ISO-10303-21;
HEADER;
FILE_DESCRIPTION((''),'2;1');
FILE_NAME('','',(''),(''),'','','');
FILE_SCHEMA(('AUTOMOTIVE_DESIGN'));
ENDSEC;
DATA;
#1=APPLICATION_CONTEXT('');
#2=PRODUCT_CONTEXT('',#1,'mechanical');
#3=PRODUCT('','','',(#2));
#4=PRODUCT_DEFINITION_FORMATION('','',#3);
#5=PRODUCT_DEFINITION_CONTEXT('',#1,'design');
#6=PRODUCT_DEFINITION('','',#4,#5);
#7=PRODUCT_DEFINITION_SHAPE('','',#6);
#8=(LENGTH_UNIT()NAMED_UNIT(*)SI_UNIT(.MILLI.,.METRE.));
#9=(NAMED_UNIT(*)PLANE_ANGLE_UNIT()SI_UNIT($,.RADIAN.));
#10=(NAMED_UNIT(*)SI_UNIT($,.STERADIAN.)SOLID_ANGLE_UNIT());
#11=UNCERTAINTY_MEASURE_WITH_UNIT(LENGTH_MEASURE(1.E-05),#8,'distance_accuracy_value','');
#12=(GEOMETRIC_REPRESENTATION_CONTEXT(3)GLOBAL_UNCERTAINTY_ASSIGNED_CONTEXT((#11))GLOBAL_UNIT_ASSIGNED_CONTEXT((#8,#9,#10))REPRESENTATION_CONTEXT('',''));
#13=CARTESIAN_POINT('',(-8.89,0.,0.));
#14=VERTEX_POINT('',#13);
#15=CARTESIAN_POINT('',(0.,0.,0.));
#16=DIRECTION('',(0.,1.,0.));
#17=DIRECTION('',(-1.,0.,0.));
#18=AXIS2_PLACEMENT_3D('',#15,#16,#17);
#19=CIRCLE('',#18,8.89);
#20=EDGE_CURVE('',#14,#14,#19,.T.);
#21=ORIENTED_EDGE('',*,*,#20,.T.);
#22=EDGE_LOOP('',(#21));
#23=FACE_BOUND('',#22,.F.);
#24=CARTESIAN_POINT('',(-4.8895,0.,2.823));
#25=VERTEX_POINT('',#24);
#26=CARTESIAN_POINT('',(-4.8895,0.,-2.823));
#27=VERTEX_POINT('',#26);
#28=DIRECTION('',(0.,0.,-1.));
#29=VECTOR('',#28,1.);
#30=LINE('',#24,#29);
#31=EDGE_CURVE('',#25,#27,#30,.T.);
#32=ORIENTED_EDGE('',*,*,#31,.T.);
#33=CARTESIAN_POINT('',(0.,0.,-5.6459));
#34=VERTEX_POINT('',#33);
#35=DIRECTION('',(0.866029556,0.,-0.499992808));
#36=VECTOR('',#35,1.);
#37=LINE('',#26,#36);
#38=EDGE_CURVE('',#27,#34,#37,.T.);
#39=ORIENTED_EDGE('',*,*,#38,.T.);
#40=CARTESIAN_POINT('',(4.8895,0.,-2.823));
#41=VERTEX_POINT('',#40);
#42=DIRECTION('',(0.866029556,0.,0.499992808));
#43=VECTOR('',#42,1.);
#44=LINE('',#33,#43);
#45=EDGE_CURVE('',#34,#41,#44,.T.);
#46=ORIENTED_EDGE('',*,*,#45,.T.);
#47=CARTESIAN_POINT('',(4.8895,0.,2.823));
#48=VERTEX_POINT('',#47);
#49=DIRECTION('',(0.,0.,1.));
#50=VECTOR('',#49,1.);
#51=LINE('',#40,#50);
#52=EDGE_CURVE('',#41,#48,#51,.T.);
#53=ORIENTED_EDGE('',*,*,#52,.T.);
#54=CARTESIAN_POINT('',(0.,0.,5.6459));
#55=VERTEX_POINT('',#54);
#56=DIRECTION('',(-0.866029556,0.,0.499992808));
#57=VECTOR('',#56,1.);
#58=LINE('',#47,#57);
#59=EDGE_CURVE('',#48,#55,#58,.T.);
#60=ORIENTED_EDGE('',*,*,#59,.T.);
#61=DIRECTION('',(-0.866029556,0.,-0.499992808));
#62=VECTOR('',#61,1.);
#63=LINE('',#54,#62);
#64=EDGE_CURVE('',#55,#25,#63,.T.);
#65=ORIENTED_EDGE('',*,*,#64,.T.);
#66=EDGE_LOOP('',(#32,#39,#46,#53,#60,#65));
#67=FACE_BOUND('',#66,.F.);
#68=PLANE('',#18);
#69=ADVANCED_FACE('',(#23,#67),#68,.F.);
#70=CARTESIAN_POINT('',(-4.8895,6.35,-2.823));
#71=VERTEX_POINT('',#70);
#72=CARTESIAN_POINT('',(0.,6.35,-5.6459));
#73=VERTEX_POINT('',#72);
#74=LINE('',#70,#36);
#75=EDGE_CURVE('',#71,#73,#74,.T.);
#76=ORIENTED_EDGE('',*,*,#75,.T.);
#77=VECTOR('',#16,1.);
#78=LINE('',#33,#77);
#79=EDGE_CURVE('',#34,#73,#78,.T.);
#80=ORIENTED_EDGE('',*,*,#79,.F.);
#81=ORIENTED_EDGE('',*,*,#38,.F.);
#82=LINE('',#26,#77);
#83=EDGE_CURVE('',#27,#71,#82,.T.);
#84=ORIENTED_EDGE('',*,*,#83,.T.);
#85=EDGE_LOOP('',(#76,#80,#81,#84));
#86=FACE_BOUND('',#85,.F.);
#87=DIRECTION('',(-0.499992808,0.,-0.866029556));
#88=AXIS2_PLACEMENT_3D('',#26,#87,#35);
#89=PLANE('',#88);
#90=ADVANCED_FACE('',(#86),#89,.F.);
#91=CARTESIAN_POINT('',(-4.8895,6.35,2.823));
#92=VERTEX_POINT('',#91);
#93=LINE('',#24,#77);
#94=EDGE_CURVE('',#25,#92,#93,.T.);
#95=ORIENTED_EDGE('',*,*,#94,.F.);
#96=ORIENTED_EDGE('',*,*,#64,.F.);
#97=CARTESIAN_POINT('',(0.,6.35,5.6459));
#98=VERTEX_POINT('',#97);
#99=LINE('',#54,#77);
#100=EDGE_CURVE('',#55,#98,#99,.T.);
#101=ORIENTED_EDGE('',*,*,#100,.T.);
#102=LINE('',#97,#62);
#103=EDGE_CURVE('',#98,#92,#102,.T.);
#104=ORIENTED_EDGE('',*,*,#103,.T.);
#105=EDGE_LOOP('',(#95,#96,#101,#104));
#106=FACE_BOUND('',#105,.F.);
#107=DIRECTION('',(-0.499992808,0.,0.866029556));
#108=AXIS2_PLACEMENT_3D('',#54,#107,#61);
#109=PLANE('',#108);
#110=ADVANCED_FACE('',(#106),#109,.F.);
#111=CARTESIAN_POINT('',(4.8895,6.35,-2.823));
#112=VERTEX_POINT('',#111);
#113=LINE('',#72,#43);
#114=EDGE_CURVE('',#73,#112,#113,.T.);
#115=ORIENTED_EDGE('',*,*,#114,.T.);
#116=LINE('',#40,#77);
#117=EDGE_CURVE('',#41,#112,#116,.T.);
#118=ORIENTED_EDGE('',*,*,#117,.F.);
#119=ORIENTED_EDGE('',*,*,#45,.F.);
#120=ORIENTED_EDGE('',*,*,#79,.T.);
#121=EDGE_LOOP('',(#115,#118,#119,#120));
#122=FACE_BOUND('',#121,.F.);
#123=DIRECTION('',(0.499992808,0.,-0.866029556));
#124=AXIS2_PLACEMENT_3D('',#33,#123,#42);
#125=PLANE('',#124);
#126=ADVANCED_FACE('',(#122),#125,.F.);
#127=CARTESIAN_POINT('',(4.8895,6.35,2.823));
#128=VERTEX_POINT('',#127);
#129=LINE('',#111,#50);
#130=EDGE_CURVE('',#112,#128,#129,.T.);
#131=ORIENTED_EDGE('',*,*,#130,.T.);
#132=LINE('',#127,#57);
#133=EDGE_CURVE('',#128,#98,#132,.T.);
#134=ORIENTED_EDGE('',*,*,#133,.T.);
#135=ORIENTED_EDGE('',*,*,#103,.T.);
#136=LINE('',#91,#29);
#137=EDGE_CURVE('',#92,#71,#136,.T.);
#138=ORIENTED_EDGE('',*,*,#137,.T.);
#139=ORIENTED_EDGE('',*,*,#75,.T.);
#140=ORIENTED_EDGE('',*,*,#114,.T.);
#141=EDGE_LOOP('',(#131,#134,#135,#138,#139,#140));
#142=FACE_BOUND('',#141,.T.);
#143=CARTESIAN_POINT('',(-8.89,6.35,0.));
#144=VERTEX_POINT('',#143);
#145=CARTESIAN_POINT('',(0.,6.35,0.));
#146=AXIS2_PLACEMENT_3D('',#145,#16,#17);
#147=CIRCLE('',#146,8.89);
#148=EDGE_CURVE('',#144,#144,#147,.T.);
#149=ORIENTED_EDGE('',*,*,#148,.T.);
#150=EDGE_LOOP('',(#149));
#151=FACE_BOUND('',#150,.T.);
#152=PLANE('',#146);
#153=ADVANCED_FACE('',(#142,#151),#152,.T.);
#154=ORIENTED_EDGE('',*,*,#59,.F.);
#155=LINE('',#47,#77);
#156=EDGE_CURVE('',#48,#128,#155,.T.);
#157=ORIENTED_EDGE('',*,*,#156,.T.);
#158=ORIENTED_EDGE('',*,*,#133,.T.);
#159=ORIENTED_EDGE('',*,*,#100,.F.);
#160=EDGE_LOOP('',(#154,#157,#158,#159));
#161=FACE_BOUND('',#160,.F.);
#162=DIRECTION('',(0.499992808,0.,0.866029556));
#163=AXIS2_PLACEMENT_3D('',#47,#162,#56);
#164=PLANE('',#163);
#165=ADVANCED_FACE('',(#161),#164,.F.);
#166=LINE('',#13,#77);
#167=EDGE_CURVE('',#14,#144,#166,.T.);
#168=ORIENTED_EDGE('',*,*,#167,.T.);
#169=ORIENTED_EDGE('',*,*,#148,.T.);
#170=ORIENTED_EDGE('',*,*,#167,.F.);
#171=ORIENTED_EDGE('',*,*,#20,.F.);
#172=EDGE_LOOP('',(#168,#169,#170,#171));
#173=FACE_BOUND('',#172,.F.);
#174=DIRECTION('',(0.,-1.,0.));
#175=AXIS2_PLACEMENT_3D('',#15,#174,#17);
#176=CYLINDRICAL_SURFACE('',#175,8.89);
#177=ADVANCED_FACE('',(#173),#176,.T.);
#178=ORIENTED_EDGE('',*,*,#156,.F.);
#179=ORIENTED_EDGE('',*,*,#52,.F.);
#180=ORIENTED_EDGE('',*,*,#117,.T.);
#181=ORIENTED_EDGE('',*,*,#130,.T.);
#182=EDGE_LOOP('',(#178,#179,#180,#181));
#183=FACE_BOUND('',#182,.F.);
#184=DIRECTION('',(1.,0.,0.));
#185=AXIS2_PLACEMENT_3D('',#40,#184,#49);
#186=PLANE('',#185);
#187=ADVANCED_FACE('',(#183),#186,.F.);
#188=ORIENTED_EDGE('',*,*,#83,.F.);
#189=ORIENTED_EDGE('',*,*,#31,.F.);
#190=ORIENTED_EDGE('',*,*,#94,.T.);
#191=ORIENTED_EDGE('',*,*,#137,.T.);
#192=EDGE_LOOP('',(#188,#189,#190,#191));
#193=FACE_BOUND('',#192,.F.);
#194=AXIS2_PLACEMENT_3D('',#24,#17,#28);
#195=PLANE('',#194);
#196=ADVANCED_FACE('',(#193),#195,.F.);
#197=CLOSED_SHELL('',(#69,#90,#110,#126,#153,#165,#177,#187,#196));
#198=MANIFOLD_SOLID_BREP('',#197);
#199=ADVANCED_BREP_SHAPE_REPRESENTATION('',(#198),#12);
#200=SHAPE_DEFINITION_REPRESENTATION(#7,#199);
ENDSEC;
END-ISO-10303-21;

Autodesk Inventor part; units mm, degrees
ref_plane "YZ Plane" through (0, 0, 0) normal (1, 0, 0) x (0, 1, 0)
ref_plane "XZ Plane" through (0, 0, 0) normal (0, 1, 0) x (-1, 0, 0)
ref_plane "XY Plane" through (0, 0, 0) normal (0, 0, 1) x (1, 0, 0)
sketch "Sketch1" plane through (0, 0, 0) normal (0, 1, 0) x (-1, 0, 0)
  line L0 (4.8895, -2.823) -> (0, -5.6459)
  line L1 (0, -5.6459) -> (-4.8895, -2.823)
  line L2 (-4.8895, -2.823) -> (-4.8895, 2.823)
  line L3 (-4.8895, 2.823) -> (0, 5.6459)
  line L4 (0, 5.6459) -> (4.8895, 2.823)
  line L5 (4.8895, 2.823) -> (4.8895, -2.823)
  circle A0 centre (0, 0) radius 8.89
  dimension "d0" = 9.779
  dimension "d1" = 17.78
extrude "Extrusion1" add sketch "Sketch1" along normal blind 6.35
properties part number "hexSpacer 3_8 x 0_250"
